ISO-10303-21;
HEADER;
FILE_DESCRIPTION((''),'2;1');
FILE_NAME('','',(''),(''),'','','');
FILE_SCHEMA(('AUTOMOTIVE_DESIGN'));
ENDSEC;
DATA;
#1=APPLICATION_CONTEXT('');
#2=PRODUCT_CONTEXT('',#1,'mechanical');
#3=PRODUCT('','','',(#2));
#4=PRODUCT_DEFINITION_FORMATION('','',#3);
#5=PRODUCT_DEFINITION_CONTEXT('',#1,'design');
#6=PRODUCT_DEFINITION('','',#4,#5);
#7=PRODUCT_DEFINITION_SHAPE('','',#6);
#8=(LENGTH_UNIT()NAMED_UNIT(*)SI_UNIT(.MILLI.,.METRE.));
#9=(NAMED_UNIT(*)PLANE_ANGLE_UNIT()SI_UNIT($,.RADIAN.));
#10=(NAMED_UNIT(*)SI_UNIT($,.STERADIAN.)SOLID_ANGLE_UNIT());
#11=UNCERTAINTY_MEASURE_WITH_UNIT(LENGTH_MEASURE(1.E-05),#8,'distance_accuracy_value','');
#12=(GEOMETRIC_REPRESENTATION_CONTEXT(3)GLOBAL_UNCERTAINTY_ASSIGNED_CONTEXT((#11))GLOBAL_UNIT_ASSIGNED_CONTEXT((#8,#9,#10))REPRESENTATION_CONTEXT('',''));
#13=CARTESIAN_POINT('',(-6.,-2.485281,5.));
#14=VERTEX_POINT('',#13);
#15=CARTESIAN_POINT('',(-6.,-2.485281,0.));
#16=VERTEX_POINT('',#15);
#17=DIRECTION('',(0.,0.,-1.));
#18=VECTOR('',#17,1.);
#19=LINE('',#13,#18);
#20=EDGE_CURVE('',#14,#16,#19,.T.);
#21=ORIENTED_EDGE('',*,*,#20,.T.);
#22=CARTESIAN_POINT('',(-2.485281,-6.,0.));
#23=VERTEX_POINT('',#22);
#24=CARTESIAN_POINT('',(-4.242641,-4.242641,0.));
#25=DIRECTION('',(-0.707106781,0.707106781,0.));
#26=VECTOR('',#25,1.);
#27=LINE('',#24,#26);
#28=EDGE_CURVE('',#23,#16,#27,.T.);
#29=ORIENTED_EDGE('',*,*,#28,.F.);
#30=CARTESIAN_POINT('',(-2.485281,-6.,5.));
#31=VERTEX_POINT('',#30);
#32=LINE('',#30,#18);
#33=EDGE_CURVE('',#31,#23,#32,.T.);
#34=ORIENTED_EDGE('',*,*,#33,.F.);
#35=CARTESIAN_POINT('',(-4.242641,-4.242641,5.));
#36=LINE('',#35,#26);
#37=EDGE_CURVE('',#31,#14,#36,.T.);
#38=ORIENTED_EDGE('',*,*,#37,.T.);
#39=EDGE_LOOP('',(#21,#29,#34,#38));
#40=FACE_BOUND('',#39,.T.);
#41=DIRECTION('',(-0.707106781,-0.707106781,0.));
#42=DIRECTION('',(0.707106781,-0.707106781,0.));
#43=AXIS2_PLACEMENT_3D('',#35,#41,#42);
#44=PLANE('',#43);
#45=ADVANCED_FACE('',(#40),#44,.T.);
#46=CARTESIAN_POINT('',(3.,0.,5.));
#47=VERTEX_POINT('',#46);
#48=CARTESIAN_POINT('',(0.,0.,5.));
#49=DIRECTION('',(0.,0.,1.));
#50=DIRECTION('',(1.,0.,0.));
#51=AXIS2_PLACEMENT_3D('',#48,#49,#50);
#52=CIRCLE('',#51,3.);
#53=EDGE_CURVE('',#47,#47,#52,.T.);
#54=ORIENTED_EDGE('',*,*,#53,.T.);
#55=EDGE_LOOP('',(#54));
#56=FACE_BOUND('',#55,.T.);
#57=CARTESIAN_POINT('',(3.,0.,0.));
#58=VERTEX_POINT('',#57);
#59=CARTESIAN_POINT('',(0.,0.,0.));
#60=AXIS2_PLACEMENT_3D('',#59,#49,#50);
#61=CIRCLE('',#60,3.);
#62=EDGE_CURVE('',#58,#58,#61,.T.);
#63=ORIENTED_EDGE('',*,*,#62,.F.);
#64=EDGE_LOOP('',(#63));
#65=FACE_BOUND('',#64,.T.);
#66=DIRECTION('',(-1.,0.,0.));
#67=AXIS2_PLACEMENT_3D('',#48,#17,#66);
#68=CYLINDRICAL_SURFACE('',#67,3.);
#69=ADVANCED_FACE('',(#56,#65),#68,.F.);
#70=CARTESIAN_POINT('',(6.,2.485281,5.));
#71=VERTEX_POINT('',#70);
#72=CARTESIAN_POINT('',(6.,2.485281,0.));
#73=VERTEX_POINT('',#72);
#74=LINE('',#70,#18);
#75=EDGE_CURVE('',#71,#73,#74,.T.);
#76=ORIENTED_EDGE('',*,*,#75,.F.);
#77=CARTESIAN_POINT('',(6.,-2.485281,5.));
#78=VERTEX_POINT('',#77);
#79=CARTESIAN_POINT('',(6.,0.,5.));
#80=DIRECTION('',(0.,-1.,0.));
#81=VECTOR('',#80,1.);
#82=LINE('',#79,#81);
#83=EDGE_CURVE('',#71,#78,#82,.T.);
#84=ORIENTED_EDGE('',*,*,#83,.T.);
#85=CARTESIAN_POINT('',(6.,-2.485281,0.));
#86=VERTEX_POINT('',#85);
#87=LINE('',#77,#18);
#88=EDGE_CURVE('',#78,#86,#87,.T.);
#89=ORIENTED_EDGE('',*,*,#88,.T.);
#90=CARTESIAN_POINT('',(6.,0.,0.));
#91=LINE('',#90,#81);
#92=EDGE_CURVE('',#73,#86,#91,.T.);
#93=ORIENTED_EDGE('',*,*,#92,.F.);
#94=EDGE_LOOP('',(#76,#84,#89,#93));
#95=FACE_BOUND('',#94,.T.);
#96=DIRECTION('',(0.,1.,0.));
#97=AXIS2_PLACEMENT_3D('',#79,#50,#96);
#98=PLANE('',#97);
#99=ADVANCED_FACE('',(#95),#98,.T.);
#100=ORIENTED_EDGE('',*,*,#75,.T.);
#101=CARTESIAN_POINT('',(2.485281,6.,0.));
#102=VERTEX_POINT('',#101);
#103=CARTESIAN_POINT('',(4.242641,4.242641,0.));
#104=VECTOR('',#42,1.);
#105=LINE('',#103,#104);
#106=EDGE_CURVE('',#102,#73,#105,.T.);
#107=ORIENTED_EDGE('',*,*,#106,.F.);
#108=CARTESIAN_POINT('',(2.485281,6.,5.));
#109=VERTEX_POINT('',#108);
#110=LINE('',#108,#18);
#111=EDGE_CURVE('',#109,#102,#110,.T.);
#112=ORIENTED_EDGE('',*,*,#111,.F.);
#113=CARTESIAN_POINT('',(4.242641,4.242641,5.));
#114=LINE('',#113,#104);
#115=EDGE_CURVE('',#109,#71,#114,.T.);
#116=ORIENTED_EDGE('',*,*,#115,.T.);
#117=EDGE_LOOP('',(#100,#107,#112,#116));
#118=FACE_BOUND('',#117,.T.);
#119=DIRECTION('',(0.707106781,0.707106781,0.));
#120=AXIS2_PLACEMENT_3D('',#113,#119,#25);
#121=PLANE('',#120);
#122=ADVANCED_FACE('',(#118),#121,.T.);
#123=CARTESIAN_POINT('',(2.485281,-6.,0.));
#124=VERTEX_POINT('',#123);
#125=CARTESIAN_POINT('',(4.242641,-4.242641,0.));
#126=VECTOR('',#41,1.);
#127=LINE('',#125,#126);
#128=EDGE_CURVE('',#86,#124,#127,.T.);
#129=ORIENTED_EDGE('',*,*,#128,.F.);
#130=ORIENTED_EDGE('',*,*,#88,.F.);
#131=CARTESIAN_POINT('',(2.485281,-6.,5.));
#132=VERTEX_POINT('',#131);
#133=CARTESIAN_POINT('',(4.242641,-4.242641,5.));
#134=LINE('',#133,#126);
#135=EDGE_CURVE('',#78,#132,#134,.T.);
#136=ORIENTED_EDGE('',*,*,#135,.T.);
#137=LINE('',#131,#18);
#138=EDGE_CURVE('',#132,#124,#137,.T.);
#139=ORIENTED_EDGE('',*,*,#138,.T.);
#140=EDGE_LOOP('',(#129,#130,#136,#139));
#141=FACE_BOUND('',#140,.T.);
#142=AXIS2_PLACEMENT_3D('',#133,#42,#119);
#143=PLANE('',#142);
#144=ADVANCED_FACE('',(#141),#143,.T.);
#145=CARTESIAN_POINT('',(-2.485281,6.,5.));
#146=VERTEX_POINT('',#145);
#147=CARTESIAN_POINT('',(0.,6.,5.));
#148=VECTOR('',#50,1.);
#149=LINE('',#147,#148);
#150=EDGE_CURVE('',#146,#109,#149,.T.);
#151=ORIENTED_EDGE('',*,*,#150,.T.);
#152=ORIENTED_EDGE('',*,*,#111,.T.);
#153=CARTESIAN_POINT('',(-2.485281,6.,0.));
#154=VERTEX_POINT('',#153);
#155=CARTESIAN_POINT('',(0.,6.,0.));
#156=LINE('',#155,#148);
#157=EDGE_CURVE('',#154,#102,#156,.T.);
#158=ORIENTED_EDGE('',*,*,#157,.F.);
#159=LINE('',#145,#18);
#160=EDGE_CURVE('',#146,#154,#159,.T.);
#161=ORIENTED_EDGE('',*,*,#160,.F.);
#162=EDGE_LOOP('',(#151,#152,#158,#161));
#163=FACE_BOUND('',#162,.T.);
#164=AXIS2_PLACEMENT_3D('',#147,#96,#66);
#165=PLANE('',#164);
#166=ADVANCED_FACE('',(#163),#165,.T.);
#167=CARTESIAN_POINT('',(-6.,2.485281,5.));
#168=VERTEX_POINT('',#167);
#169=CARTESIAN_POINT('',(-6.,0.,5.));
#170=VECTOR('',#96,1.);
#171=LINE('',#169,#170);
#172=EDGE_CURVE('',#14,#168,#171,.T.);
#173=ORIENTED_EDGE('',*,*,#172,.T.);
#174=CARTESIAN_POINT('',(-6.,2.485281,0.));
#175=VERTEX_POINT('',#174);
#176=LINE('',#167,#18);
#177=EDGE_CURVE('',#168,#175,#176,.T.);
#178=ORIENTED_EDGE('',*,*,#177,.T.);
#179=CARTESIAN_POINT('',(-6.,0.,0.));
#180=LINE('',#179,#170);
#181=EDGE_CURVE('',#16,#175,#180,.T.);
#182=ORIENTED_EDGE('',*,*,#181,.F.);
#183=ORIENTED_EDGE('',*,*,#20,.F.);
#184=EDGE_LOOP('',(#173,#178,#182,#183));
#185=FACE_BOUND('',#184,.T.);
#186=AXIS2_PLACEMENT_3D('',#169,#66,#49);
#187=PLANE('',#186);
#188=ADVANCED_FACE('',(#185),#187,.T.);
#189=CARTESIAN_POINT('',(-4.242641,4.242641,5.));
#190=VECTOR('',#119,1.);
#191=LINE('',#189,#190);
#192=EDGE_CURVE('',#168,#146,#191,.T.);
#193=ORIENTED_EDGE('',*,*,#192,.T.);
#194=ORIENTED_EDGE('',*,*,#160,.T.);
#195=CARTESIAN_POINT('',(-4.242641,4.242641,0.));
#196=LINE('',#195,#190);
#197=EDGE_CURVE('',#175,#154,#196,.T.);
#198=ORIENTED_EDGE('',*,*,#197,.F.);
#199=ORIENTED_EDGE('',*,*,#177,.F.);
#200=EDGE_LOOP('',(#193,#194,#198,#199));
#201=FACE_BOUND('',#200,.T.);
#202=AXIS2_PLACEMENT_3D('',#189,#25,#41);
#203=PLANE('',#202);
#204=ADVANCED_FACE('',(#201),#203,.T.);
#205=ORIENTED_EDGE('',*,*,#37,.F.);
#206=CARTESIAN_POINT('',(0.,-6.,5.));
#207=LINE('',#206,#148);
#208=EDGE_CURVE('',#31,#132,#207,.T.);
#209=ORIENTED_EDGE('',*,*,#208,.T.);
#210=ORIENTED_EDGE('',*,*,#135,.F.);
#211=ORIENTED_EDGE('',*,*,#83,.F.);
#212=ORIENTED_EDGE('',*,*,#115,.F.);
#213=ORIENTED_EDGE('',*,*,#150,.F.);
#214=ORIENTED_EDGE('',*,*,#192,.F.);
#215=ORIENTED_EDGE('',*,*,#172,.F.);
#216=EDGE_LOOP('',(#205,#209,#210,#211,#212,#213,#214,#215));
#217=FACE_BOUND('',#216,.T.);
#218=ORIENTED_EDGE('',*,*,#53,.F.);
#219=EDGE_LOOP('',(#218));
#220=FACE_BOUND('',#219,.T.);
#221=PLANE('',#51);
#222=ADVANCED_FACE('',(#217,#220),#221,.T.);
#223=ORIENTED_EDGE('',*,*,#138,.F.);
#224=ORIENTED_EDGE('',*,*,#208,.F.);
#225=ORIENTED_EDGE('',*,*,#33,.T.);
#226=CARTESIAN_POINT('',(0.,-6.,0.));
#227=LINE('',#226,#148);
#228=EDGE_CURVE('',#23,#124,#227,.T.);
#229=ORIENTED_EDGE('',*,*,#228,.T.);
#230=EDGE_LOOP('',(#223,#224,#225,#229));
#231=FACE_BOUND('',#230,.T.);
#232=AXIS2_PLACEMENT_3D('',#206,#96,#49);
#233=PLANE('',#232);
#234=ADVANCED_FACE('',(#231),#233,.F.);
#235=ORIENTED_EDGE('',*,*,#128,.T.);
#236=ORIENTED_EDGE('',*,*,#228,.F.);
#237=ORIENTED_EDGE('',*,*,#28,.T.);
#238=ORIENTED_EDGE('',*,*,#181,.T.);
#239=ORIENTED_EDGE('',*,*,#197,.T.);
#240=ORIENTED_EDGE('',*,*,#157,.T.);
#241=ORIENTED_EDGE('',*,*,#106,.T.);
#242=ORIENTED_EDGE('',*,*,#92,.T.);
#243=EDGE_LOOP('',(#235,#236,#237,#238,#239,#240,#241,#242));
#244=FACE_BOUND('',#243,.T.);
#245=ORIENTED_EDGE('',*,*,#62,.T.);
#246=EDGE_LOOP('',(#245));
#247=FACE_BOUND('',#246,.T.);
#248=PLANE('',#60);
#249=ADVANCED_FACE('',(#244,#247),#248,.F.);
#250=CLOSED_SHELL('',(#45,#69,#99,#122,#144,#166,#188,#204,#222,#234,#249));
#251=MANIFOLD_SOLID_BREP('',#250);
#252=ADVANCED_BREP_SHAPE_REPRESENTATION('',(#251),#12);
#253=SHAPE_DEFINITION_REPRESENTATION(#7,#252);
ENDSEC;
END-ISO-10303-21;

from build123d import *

# Parameters (mm, degrees)
ESQUISSE1_R        = 3
BOSS_EXTRU_1_DEPTH = 5


with BuildPart() as part:
    # Esquisse1 → Boss.-Extru.1 (new body)
    with BuildSketch(Plane.XY):
        Polygon((-2.485281374, 6), (-4.242640687, 4.242640687), (-6, 2.485281374), (-6, 0), (-6, -2.485281374), (-4.242640687, -4.242640687), (-2.485281374, -6), (2.485281374, -6), (4.242640687, -4.242640687), (6, -2.485281374), (6, 2.485281374), (4.242640687, 4.242640687), (2.485281374, 6), align=None)
        Circle(ESQUISSE1_R, mode=Mode.SUBTRACT)
    extrude(amount=BOSS_EXTRU_1_DEPTH)


solid = part.part
